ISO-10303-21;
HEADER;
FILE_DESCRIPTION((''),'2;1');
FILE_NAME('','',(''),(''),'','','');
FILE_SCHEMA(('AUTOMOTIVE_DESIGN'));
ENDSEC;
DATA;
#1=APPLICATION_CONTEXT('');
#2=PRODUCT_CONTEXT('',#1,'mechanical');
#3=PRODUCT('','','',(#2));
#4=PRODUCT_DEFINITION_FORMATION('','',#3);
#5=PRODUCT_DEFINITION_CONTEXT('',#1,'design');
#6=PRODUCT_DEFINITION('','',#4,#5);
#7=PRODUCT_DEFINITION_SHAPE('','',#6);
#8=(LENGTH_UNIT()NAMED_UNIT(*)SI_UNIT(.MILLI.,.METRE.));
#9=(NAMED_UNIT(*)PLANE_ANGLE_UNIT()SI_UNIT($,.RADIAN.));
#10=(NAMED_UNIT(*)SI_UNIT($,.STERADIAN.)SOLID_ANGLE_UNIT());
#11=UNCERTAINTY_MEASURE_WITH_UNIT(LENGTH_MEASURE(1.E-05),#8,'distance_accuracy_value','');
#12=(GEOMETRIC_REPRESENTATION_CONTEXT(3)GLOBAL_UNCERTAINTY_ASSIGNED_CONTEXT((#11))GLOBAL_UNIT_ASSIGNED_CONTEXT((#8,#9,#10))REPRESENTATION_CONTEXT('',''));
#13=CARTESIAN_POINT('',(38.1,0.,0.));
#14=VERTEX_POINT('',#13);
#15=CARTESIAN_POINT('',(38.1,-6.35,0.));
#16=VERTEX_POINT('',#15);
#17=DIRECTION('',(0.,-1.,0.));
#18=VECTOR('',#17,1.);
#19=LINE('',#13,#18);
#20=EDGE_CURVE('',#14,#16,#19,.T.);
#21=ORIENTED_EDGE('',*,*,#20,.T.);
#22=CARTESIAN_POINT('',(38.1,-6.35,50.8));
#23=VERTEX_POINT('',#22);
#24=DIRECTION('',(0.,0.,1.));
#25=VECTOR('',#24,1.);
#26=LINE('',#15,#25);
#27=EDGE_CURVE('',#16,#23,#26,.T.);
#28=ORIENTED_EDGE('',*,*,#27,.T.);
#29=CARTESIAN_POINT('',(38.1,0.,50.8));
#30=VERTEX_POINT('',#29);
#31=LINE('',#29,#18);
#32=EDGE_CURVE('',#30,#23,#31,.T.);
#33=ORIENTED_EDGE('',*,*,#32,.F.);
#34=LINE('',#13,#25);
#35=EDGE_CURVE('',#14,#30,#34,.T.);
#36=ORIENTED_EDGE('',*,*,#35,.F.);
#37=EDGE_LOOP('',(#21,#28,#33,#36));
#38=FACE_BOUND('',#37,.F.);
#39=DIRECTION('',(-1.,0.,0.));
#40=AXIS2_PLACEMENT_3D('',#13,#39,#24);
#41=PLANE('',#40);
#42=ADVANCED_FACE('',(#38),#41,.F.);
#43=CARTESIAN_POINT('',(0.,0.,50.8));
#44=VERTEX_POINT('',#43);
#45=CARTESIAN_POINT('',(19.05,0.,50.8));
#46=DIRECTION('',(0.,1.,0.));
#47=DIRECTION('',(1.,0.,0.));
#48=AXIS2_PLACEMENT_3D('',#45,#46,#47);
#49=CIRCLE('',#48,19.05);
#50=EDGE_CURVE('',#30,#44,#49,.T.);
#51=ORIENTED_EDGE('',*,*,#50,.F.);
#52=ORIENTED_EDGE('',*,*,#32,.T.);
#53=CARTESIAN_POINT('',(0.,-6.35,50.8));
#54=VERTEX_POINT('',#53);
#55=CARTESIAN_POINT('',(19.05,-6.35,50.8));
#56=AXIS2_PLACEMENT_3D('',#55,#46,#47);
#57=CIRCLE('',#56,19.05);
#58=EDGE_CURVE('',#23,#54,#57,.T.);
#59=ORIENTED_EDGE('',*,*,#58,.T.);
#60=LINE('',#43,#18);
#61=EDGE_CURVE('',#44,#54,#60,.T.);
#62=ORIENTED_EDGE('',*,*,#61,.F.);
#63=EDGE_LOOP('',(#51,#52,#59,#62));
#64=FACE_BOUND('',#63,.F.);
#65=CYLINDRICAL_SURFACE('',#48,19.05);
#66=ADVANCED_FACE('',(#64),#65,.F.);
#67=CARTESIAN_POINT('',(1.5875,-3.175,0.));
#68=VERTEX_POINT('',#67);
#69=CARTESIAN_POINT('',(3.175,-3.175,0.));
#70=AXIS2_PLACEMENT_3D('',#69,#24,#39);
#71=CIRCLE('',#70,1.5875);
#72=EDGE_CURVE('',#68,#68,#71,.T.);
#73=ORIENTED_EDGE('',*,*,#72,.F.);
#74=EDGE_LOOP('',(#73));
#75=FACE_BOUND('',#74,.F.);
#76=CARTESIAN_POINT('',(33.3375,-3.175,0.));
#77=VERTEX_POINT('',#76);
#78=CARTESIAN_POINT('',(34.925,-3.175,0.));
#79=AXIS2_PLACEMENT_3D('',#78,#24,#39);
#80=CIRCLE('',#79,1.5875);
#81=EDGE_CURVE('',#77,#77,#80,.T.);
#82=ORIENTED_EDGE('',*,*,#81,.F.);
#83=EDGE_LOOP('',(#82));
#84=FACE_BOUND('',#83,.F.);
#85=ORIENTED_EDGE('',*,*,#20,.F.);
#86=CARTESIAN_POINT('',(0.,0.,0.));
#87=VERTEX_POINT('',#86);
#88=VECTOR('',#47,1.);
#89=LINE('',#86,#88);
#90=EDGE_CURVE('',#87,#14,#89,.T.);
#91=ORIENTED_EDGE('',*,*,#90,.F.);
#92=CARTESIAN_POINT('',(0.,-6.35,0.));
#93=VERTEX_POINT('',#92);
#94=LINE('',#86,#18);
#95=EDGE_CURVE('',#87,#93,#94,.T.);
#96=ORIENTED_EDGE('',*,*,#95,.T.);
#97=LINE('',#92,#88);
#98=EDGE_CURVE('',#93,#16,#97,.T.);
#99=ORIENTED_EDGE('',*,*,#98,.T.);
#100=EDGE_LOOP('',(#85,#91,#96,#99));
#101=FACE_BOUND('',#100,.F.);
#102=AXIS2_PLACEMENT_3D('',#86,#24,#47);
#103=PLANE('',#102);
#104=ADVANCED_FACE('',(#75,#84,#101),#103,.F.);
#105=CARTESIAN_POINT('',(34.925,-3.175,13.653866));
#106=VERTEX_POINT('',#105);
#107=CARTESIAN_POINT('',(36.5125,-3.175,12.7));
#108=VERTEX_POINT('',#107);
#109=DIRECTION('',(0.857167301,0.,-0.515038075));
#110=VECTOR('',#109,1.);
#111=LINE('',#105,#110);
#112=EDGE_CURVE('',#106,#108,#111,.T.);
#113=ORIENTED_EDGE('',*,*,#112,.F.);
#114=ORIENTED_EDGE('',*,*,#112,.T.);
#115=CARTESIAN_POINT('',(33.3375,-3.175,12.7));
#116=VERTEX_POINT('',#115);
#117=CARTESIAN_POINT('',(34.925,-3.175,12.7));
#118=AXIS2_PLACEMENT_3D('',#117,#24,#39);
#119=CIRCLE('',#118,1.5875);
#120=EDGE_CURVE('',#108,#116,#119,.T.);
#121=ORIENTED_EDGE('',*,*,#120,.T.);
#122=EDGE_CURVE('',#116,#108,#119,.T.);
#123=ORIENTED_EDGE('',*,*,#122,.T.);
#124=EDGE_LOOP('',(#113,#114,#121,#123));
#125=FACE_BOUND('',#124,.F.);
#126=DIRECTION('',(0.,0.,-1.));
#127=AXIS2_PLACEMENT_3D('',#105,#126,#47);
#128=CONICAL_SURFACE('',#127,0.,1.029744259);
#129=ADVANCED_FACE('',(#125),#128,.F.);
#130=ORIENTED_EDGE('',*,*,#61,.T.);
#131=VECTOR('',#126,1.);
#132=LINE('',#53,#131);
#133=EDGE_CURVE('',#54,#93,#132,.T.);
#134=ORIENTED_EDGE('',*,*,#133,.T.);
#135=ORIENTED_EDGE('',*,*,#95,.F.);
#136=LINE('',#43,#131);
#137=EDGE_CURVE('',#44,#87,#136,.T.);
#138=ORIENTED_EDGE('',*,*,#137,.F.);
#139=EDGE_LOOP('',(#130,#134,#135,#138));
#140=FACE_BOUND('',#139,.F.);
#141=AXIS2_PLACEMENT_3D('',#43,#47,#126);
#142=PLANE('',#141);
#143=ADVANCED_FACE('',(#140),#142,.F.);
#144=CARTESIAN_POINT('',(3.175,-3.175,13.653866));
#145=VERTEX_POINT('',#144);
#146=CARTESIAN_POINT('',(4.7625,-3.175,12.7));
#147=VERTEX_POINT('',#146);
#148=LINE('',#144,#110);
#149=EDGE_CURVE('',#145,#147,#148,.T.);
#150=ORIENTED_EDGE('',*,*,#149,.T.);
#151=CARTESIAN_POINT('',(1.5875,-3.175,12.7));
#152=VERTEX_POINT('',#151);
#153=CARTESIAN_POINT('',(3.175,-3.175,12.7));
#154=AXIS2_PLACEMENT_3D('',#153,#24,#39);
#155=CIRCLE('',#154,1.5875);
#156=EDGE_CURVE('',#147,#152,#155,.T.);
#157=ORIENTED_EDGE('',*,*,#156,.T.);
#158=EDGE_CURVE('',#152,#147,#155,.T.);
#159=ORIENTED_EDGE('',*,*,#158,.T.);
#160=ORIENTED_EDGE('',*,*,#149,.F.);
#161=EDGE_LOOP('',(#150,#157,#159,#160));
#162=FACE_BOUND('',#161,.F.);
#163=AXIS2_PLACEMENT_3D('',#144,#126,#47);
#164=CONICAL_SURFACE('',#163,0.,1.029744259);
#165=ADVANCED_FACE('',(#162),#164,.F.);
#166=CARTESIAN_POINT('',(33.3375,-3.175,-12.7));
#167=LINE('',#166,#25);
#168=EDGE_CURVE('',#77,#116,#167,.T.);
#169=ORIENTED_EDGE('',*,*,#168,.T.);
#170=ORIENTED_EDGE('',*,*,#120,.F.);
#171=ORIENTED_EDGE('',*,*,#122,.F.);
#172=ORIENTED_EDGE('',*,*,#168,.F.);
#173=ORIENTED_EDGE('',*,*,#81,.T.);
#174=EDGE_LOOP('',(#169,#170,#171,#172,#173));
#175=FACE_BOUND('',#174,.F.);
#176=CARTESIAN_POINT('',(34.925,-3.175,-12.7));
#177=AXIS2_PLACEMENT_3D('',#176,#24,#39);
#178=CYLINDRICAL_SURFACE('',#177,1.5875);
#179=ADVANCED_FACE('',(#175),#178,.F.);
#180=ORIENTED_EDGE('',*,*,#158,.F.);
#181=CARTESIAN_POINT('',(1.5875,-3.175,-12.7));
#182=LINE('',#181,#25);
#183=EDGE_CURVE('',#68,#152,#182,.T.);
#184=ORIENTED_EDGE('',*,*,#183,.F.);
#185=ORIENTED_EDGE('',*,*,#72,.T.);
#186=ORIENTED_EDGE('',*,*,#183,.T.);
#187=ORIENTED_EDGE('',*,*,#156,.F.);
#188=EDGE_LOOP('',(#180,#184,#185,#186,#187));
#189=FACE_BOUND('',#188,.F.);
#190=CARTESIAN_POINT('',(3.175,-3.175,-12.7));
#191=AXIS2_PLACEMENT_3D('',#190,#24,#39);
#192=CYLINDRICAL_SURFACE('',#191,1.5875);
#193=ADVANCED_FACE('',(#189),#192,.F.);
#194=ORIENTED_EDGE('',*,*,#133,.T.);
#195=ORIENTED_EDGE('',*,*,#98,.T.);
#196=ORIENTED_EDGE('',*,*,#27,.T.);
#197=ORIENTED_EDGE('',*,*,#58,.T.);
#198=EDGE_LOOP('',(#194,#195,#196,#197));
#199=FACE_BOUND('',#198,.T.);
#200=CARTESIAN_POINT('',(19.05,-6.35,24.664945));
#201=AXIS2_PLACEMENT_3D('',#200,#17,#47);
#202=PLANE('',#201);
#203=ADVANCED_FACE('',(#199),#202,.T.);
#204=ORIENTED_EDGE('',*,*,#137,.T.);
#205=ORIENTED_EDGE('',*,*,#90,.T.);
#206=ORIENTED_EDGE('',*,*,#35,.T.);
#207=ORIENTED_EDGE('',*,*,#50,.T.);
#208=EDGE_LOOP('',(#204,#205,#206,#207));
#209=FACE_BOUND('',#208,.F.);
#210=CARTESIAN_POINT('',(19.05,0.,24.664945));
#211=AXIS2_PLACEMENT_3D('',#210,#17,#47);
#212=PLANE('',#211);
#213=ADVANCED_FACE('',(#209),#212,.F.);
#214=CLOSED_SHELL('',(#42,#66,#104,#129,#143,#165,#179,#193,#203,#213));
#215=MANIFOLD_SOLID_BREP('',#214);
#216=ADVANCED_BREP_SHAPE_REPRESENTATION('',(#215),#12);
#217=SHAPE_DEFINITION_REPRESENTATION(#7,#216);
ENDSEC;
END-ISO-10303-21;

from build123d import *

# Parameters (mm, degrees)
F1_DEPTH = 6.35
F3_D     = 3.175
F3_DEPTH = 12.7
F3_TIP   = 0.9538662327


with BuildPart() as f1:
    # F0 (on Front) → F1 (new body)
    with BuildSketch(Plane.XZ):
        with BuildLine():
            Line((0, 50.8), (0, 0))
            Line((0, 0), (38.1, 0))
            Line((38.1, 0), (38.1, 50.8))
            ThreePointArc((38.1, 50.8), (19.05, 31.75), (0, 50.8))
        make_face()
    extrude(amount=F1_DEPTH)

    # F3
    with Locations(Plane(origin=(0, 0, 0), x_dir=(1, 0, 0), z_dir=(0, 0, -1))):
        with Locations((3.175, 3.175), (34.925, 3.175)):
            Hole(F3_D / 2, depth=F3_DEPTH)
            with Locations((0, 0, -(F3_DEPTH + F3_TIP / 2))):  # 118° drill point
                Cone(0, F3_D / 2, F3_TIP, mode=Mode.SUBTRACT)


solid = f1.part
